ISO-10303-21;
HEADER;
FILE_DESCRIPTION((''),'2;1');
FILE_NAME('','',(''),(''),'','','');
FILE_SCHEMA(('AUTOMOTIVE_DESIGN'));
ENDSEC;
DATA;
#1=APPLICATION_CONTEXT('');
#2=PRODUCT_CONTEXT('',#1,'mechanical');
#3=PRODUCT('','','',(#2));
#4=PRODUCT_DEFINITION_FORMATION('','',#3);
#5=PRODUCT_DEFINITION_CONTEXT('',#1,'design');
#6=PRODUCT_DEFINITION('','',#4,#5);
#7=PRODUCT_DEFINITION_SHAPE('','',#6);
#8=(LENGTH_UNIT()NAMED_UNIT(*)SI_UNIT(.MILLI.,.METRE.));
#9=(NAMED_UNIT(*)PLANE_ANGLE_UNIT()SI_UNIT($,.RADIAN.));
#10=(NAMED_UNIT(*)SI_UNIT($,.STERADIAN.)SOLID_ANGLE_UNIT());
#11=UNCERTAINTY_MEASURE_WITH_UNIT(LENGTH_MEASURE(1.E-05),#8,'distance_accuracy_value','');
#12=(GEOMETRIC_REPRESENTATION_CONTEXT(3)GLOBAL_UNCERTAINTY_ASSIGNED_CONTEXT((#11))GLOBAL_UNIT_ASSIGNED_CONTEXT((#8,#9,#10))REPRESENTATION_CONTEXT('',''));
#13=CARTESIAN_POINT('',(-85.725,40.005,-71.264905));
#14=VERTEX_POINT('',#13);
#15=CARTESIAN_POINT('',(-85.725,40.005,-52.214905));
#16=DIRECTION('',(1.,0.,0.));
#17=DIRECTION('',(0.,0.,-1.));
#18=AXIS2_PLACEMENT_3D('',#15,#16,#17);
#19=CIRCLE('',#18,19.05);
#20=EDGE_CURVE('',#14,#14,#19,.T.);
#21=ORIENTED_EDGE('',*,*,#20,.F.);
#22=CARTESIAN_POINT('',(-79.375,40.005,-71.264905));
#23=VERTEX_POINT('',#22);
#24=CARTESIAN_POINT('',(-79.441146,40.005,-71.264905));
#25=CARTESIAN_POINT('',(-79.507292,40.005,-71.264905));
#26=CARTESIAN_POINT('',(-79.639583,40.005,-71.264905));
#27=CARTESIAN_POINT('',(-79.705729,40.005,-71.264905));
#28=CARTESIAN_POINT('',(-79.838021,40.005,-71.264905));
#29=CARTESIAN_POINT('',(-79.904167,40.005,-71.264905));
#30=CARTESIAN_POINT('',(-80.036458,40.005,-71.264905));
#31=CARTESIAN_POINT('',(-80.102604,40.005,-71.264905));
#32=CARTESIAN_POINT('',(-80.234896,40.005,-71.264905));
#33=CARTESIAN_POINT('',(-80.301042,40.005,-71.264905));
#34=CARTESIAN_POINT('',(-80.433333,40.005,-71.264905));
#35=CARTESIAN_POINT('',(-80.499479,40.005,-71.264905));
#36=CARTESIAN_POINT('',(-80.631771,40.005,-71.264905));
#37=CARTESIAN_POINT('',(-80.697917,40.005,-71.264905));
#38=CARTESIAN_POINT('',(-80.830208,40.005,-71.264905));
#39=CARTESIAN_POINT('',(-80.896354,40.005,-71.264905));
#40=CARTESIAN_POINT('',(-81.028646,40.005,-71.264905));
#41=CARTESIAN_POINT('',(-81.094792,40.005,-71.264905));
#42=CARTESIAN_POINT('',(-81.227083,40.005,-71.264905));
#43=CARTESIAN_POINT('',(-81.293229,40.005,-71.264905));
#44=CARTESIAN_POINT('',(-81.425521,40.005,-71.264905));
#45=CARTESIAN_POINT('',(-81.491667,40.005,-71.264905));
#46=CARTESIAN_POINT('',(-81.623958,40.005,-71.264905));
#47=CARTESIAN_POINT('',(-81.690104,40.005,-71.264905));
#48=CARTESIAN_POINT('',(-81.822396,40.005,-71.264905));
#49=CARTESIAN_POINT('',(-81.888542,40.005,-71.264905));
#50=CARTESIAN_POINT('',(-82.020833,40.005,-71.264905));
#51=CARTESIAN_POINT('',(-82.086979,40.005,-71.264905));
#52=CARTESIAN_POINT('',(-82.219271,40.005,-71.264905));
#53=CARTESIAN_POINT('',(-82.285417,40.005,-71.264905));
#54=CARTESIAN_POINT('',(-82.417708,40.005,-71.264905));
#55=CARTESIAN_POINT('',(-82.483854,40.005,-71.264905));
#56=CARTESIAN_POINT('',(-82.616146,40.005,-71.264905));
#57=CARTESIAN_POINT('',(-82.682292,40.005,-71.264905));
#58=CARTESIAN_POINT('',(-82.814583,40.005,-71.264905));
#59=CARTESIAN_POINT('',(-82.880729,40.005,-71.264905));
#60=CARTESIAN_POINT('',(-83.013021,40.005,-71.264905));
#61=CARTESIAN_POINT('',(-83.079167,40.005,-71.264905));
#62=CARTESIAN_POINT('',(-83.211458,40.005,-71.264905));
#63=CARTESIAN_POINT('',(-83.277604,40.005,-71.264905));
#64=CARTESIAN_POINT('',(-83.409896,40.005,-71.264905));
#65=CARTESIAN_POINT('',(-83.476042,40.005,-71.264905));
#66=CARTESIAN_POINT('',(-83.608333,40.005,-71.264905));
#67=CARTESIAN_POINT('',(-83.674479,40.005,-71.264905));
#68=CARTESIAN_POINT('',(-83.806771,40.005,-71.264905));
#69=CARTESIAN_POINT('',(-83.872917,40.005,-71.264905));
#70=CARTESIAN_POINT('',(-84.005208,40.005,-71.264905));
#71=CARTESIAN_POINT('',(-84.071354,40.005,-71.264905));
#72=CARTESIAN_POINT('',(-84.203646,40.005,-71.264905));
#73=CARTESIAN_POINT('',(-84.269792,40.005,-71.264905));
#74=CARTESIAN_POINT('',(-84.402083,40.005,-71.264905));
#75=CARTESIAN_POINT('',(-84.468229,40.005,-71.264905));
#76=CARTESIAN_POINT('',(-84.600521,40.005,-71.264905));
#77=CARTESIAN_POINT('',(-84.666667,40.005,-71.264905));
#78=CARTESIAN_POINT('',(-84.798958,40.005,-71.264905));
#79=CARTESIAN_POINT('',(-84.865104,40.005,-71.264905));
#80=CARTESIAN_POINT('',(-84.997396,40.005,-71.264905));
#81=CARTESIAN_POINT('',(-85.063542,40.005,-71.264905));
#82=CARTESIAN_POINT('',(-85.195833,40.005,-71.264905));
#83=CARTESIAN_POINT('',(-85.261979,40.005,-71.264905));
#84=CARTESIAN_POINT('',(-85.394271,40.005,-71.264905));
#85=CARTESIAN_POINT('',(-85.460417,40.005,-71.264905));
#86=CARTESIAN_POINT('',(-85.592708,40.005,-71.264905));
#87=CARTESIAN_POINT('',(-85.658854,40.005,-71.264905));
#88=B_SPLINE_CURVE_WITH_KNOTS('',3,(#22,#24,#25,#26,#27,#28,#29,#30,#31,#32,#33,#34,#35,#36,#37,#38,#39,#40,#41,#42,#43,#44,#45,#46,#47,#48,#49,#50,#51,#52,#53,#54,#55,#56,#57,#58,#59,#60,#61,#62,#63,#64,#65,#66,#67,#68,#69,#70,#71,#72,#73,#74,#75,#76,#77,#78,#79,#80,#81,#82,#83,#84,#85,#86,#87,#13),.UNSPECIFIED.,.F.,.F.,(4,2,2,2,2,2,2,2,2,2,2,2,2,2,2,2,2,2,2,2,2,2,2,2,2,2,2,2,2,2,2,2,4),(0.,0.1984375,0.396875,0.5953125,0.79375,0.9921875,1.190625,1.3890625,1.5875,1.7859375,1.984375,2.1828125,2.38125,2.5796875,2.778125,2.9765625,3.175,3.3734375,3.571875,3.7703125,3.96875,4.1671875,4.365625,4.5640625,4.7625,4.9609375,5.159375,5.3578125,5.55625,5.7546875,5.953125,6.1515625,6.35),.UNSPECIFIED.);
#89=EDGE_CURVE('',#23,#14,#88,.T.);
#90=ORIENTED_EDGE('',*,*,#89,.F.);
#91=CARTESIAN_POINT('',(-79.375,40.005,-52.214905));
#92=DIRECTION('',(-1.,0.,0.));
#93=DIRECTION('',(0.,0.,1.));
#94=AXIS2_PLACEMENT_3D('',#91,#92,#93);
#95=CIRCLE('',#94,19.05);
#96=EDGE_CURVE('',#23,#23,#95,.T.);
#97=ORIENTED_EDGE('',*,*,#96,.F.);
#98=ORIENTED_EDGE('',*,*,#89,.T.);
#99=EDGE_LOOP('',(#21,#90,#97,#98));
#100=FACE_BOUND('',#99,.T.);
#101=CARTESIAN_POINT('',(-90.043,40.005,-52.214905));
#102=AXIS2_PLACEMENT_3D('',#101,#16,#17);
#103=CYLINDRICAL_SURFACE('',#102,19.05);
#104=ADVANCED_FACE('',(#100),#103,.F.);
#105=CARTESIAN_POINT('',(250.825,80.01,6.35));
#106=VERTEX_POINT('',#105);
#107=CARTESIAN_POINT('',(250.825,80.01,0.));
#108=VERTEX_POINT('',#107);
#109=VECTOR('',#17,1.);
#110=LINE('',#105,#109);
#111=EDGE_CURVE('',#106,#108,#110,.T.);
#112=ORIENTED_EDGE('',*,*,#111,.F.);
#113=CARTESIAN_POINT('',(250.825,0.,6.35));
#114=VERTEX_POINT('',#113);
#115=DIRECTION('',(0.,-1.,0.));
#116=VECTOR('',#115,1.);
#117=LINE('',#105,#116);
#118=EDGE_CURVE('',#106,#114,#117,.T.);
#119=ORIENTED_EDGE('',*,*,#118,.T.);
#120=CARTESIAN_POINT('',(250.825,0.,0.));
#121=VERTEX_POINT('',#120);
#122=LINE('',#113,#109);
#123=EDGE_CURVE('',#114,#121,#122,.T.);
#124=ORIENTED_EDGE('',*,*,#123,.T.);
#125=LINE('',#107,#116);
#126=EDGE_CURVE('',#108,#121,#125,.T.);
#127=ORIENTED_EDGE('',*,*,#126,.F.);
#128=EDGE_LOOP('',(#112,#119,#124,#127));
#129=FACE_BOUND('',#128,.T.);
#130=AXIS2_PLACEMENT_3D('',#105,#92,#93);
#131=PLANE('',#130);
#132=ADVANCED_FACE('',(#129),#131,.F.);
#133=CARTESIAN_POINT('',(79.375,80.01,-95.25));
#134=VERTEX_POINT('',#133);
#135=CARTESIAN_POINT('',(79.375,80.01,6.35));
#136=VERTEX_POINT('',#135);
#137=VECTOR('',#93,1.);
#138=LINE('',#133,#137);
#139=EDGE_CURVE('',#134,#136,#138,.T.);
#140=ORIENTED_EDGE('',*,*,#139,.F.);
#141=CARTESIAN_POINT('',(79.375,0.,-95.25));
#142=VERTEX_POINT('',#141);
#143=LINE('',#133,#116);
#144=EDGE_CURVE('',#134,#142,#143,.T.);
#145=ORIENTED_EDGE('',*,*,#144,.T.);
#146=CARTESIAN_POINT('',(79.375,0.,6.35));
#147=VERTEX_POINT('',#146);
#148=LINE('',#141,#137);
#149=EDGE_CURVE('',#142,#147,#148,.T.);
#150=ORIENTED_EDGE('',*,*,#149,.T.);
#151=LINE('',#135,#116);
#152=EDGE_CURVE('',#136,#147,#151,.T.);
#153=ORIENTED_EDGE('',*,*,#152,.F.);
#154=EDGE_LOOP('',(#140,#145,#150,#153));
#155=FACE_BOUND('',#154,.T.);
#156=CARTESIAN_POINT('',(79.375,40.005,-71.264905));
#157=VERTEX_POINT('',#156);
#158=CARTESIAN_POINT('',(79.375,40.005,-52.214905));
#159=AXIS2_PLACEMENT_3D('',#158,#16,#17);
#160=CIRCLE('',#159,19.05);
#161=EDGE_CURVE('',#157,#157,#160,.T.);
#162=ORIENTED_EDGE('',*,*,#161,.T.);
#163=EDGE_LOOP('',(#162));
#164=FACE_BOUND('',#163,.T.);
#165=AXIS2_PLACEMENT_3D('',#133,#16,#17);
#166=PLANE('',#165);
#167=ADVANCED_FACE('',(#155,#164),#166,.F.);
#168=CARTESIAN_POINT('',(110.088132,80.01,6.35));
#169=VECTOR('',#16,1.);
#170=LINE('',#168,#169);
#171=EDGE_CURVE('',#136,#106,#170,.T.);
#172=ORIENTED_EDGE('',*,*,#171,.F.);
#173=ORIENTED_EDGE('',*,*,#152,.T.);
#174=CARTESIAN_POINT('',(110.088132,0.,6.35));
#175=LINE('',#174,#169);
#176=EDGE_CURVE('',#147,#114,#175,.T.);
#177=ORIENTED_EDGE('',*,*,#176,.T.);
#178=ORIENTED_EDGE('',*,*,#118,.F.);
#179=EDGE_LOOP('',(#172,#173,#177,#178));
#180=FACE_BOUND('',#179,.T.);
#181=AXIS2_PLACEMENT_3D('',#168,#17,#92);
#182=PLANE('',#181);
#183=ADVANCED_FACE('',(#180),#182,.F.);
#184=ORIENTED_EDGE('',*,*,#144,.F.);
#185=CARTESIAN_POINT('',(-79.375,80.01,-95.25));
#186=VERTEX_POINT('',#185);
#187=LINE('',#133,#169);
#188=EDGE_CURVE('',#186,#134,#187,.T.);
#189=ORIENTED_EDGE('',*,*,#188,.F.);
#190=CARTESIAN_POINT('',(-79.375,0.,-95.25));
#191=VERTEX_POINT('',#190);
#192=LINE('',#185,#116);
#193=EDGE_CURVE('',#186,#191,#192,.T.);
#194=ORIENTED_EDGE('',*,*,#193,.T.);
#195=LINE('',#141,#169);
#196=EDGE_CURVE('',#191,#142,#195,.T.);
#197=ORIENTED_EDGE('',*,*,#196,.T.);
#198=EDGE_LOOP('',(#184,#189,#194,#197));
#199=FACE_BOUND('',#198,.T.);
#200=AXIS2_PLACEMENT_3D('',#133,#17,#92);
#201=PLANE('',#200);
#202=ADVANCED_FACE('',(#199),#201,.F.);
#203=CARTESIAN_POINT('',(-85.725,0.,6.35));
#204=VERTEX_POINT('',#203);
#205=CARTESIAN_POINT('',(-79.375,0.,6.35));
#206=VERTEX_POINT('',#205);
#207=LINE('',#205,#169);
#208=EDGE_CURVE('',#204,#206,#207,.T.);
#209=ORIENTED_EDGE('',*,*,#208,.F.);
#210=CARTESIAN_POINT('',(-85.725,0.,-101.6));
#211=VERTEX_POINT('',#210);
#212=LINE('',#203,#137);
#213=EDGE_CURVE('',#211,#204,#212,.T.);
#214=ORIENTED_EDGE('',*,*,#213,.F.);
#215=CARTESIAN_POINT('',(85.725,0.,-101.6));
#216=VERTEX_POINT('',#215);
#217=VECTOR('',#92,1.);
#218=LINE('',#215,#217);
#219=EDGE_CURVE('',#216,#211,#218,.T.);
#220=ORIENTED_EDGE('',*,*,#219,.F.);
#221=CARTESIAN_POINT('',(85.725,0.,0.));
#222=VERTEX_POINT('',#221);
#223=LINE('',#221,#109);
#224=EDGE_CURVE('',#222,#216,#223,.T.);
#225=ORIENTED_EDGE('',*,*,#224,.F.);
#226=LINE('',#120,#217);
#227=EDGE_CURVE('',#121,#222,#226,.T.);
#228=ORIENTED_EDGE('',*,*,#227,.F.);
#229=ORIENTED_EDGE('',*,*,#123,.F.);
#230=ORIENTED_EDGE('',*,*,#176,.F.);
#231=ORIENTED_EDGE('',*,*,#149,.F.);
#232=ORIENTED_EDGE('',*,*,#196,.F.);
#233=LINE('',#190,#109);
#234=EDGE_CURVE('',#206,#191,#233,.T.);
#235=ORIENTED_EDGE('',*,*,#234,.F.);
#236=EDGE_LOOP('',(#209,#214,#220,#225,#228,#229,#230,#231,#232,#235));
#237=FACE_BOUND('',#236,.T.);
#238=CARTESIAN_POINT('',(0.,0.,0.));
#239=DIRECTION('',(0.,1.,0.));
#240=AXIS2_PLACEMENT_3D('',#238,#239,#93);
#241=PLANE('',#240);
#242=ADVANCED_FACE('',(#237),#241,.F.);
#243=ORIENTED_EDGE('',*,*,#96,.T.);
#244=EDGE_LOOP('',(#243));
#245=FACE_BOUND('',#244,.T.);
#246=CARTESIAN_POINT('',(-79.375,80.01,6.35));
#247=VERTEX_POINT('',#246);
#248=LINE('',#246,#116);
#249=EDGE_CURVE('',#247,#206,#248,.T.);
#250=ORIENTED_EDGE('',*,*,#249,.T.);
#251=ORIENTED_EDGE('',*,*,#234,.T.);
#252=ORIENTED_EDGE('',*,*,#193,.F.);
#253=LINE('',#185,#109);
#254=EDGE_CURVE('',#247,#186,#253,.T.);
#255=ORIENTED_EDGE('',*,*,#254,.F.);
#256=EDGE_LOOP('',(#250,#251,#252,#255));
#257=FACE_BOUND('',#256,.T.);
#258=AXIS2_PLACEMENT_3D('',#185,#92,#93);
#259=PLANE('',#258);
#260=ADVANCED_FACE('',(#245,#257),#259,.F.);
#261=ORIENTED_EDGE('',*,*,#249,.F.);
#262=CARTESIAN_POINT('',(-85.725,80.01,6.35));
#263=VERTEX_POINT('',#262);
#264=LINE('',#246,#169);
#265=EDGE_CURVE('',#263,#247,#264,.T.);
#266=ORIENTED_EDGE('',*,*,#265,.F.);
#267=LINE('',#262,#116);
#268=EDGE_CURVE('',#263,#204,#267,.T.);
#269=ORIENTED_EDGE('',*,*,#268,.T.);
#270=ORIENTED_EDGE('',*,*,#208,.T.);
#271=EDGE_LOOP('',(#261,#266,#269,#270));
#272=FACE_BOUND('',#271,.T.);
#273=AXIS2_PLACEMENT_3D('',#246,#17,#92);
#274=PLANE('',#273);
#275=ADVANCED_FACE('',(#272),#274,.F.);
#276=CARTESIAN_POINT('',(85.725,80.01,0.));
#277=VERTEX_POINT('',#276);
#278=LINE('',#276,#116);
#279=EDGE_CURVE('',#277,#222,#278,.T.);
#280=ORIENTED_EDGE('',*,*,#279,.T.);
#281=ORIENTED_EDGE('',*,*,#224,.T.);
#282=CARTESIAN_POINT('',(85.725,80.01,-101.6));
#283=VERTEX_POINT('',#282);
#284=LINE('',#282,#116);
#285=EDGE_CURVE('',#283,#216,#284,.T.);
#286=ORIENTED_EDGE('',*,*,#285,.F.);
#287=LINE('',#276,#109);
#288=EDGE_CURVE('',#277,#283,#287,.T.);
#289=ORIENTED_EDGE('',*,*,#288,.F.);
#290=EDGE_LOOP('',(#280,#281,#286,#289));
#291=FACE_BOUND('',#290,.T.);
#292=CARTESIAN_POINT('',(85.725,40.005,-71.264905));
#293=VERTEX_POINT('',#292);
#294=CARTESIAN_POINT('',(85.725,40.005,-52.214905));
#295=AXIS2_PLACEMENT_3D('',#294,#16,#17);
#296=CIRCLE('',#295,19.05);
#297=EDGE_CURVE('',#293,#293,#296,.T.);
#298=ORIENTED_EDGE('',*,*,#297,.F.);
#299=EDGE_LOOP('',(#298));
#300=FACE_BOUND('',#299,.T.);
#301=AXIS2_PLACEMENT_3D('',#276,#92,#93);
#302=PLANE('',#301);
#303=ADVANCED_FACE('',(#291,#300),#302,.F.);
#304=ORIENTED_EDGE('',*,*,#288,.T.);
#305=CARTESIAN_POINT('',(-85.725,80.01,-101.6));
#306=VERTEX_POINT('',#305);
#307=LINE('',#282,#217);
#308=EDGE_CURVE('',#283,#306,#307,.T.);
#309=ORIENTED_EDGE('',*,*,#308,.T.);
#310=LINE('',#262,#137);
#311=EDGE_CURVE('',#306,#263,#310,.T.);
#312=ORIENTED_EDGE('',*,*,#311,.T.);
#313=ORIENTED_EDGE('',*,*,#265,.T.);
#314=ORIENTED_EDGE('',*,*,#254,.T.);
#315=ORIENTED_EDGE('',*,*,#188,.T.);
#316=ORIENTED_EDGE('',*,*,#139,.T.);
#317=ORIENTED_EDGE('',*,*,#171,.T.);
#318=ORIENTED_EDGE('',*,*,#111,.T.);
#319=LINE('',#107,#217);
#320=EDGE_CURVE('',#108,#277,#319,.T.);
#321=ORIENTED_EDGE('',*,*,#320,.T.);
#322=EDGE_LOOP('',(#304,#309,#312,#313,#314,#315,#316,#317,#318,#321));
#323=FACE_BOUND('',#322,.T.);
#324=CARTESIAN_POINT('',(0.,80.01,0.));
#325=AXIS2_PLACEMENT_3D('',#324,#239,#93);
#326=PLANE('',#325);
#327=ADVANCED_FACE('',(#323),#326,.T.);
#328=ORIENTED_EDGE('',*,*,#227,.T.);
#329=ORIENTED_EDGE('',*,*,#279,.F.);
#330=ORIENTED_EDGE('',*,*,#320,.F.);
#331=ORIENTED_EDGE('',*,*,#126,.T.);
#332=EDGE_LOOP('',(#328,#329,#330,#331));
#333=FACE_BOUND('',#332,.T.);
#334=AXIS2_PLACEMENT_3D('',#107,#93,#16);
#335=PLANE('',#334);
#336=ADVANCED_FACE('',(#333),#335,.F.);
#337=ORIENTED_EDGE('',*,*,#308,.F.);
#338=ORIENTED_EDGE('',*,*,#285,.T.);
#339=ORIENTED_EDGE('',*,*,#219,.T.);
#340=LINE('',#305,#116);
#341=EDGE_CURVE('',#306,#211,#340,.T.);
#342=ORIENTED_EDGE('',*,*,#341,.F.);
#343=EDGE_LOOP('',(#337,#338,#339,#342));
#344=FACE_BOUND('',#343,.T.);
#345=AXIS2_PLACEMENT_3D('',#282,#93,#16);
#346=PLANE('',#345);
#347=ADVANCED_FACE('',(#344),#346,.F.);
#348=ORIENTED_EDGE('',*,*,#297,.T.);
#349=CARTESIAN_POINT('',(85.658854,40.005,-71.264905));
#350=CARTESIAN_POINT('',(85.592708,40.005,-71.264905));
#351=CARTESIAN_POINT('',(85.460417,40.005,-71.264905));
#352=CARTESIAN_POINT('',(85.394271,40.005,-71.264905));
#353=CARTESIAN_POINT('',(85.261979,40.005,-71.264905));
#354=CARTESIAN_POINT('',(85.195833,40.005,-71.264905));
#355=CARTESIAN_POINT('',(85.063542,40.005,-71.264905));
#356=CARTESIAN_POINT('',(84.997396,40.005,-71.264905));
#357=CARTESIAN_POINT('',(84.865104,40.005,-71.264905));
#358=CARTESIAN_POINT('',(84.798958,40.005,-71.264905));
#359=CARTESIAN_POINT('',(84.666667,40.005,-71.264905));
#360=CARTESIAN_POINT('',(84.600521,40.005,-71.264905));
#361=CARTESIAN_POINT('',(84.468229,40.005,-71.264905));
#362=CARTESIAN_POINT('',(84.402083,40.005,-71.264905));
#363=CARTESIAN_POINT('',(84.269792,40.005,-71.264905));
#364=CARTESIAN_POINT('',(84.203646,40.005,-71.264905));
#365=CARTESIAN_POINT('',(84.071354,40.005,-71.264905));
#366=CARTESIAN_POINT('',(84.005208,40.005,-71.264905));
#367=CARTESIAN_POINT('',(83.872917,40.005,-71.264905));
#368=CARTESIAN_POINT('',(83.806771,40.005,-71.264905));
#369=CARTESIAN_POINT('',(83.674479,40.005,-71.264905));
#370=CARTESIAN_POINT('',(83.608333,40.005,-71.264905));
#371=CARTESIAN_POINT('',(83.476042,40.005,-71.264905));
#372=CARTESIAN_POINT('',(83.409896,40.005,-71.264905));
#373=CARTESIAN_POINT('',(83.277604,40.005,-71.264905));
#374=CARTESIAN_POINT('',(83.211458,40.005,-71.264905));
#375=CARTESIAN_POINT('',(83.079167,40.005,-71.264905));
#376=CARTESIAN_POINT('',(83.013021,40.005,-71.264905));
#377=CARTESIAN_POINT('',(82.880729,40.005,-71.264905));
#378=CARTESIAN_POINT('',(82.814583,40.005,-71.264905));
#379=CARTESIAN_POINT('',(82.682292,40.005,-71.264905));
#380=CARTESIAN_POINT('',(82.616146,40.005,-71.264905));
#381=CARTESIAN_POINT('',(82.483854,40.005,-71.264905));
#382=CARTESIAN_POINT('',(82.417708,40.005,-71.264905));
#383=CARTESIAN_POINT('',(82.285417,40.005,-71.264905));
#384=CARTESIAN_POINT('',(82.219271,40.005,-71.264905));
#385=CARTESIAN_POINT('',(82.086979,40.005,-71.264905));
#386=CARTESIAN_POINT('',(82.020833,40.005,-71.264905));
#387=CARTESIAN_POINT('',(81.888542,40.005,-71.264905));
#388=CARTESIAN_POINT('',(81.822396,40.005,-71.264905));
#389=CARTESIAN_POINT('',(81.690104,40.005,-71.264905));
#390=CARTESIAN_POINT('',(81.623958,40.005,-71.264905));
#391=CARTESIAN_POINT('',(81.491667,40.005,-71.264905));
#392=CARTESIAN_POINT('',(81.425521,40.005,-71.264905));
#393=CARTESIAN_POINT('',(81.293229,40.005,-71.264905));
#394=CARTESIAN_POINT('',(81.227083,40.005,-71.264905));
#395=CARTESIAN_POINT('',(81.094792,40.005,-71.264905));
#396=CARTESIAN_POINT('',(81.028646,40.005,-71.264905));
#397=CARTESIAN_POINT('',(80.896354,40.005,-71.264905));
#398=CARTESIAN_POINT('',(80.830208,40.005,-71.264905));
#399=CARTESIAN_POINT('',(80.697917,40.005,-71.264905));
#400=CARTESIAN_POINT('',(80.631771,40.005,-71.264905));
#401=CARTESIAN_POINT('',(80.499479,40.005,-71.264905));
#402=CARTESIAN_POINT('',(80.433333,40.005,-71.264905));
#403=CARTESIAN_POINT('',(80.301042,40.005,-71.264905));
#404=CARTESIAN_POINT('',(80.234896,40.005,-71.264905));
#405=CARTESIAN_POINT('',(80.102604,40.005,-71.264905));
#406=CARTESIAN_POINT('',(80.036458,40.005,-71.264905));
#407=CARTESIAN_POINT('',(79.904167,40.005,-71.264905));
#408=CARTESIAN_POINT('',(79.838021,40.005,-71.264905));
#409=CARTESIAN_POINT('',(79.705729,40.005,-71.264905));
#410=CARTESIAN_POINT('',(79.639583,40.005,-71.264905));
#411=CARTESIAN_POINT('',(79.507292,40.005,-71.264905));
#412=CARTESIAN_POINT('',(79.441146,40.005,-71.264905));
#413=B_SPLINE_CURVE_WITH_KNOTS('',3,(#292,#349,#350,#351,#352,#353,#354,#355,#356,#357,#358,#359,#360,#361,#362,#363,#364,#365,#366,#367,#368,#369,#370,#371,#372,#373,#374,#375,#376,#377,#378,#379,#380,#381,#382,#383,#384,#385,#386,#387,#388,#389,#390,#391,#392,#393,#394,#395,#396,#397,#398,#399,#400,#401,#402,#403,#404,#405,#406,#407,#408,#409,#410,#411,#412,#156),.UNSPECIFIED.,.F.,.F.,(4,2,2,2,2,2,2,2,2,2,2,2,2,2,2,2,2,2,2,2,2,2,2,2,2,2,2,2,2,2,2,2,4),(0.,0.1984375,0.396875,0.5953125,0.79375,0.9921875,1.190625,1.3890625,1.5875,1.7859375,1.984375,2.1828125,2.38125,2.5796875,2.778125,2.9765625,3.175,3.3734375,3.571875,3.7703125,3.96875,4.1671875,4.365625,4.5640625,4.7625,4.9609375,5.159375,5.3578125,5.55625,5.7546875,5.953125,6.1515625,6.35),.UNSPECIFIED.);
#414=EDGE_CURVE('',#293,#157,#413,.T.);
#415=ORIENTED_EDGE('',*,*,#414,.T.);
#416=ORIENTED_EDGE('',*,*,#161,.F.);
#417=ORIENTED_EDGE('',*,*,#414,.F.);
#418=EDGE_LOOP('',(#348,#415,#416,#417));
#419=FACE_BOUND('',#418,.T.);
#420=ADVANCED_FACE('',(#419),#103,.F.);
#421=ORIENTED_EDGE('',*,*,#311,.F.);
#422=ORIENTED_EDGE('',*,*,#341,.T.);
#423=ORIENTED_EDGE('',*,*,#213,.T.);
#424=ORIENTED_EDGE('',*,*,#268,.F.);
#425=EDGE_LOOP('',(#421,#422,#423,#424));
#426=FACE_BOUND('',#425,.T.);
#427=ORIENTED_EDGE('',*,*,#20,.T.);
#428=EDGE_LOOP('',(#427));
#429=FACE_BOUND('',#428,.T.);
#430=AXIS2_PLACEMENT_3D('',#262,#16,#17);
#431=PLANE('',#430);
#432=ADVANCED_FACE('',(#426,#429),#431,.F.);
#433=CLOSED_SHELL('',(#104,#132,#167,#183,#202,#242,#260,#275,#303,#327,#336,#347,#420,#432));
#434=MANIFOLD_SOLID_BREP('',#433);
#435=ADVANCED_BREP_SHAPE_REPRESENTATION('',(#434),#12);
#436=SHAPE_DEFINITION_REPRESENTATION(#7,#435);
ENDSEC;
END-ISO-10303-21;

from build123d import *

# Parameters (mm, degrees)
BOSS_EXTRUDE1_DEPTH = 80.01
SKETCH2_R           = 19.05
CUT_EXTRUDE1_DEPTH  = 175.768


with BuildPart() as part:
    # Sketch1 → Boss-Extrude1 (new body)
    with BuildSketch(Plane(origin=(0, 0, 0), x_dir=(1, 0, 0), z_dir=(0, 1, 0))):
        Polygon((85.725, 0), (85.725, 101.6), (-85.725, 101.6), (-85.725, -6.35), (-79.375, -6.35), (-79.375, 95.25), (79.375, 95.25), (79.375, -6.35), (110.08813222, -6.35), (250.825, -6.35), (250.825, 0), align=None)
    extrude(amount=BOSS_EXTRUDE1_DEPTH)

    # Sketch2 → Cut-Extrude1 (cut)
    with BuildSketch(Plane(origin=(85.725, 0, 0), x_dir=(0, 0, -1), z_dir=(1, 0, 0))):
        with Locations((52.214904531, 40.005)):
            Circle(SKETCH2_R)
    extrude(amount=-CUT_EXTRUDE1_DEPTH, mode=Mode.SUBTRACT)


solid = part.part
